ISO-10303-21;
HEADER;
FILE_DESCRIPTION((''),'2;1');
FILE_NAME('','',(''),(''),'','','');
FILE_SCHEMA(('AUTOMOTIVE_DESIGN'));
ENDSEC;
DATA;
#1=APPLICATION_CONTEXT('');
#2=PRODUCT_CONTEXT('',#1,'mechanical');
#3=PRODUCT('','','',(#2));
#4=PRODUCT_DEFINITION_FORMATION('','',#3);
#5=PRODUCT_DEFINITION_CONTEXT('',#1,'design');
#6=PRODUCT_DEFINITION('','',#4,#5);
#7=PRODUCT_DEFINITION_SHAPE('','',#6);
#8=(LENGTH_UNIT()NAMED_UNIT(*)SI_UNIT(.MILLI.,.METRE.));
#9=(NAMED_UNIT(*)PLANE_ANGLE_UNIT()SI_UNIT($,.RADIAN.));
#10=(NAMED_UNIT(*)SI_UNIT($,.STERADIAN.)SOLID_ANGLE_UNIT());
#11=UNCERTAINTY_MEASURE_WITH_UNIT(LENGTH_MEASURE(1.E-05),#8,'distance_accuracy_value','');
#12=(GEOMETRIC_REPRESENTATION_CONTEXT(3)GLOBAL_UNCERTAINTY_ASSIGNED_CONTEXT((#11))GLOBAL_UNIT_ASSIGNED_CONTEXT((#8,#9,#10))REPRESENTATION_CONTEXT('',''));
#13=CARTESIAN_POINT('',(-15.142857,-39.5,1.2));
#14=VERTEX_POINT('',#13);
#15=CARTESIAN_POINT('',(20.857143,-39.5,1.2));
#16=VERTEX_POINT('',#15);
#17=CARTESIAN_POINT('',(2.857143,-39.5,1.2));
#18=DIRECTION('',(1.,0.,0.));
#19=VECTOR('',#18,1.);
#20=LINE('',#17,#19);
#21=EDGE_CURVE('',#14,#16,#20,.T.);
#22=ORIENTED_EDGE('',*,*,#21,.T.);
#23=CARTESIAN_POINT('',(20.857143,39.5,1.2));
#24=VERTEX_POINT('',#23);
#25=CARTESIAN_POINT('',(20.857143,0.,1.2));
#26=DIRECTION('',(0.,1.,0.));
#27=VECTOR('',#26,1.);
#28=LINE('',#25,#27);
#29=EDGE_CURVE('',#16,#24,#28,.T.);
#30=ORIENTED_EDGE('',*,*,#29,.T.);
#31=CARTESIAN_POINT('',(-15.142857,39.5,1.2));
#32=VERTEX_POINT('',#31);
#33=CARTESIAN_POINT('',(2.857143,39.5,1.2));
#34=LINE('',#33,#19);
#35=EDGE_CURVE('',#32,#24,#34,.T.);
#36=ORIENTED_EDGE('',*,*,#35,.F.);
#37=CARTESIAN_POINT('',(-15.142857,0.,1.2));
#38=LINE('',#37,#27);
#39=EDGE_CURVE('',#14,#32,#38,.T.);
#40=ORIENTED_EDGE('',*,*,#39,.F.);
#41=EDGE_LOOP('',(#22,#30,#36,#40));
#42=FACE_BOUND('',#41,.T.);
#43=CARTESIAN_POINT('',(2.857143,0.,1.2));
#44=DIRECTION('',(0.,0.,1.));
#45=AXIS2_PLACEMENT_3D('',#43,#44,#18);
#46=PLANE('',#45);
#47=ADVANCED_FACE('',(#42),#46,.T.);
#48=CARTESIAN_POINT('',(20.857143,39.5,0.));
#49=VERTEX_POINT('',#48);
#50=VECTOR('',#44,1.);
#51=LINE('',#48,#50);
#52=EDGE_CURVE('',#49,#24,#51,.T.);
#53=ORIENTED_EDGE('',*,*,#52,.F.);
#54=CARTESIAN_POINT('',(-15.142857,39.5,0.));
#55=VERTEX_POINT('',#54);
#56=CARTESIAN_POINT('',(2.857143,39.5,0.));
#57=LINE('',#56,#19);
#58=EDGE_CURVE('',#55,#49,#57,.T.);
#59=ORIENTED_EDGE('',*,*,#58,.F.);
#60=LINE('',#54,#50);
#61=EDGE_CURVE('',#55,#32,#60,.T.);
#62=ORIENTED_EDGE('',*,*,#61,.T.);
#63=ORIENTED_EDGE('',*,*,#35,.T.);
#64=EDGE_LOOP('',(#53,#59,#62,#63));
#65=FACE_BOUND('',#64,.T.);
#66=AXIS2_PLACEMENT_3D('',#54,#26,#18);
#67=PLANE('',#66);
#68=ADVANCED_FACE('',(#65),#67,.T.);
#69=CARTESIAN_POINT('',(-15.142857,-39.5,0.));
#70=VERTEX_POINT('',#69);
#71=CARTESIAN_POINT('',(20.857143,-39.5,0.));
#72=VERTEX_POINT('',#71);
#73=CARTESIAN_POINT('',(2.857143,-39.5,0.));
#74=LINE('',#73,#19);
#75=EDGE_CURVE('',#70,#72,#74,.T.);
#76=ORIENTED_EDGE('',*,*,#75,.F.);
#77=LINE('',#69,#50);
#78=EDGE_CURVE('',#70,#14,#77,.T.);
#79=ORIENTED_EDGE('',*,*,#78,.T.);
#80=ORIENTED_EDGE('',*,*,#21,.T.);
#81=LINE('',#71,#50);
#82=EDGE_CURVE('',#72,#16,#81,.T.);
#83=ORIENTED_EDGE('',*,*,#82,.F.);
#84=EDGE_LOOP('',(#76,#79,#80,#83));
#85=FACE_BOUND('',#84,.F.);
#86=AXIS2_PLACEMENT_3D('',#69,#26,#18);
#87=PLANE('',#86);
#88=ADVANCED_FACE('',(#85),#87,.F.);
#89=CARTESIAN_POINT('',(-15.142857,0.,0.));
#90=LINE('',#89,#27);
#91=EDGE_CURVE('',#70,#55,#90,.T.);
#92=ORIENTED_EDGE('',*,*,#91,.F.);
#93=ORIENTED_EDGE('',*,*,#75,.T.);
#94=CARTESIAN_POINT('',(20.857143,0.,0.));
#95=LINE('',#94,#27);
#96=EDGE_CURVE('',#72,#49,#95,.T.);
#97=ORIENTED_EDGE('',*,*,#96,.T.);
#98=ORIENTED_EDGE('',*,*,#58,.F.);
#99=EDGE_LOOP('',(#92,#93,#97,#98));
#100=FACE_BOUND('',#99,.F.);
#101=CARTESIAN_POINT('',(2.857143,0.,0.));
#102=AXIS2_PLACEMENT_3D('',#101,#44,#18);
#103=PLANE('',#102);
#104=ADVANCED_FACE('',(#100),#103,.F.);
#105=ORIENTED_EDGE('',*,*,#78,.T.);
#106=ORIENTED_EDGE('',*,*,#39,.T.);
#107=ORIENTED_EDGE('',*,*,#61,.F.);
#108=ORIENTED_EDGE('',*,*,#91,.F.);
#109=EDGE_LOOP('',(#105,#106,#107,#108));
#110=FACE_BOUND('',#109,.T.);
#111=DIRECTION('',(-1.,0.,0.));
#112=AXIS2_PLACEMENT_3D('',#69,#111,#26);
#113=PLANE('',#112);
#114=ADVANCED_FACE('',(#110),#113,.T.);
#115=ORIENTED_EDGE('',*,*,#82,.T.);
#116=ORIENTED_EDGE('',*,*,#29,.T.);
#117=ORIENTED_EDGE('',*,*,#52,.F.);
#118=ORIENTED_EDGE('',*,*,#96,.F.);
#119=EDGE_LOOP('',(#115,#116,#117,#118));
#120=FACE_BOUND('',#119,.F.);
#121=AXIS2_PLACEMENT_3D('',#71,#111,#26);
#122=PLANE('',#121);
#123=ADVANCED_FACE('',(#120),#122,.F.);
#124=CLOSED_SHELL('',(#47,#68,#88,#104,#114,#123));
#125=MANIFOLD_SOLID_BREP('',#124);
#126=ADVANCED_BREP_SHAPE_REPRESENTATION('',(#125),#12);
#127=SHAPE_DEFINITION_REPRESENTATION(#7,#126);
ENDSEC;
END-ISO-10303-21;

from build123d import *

# Parameters (mm, degrees)
F0_W     = 36
F0_H     = 79
F0_W_2   = 16
F0_H_2   = 75
F0_R     = 3
F0_R_2   = 1.5
F1_DEPTH = 1.2


with BuildPart() as f1:
    # F0 (on Top) → F1 (new body)
    with BuildSketch(Plane.XY):
        with Locations((2.8571428571, 0)):
            Rectangle(F0_W, F0_H)
        Polygon((2.8571428571, 37.5), (18.8571428571, 37.5), (18.8571428571, -37.5), (2.8571428571, -37.5), (-13.1428571429, -37.5), (-13.1428571429, 37.5), align=None, mode=Mode.SUBTRACT)
        with Locations((-5.1428571429, 0)):
            Rectangle(F0_W_2, F0_H_2)
        with Locations((-7.1428571429, -25)):
            Circle(F0_R, mode=Mode.SUBTRACT)
        with Locations((-7.1428571429, 25)):
            Circle(F0_R, mode=Mode.SUBTRACT)
        with Locations((10.8571428571, 0)):
            Rectangle(F0_W_2, F0_H_2)
        with Locations((-7.1428571429, 25)):
            Circle(F0_R)
        with Locations((-7.1428571429, 25)):
            Circle(F0_R_2, mode=Mode.SUBTRACT)
        with Locations((-7.1428571429, -25)):
            Circle(F0_R)
        with Locations((-7.1428571429, -25)):
            Circle(F0_R_2, mode=Mode.SUBTRACT)
        with Locations((-7.1428571429, 25)):
            Circle(F0_R_2)
        with Locations((-7.1428571429, -25)):
            Circle(F0_R_2)
    extrude(amount=F1_DEPTH)


solid = f1.part
